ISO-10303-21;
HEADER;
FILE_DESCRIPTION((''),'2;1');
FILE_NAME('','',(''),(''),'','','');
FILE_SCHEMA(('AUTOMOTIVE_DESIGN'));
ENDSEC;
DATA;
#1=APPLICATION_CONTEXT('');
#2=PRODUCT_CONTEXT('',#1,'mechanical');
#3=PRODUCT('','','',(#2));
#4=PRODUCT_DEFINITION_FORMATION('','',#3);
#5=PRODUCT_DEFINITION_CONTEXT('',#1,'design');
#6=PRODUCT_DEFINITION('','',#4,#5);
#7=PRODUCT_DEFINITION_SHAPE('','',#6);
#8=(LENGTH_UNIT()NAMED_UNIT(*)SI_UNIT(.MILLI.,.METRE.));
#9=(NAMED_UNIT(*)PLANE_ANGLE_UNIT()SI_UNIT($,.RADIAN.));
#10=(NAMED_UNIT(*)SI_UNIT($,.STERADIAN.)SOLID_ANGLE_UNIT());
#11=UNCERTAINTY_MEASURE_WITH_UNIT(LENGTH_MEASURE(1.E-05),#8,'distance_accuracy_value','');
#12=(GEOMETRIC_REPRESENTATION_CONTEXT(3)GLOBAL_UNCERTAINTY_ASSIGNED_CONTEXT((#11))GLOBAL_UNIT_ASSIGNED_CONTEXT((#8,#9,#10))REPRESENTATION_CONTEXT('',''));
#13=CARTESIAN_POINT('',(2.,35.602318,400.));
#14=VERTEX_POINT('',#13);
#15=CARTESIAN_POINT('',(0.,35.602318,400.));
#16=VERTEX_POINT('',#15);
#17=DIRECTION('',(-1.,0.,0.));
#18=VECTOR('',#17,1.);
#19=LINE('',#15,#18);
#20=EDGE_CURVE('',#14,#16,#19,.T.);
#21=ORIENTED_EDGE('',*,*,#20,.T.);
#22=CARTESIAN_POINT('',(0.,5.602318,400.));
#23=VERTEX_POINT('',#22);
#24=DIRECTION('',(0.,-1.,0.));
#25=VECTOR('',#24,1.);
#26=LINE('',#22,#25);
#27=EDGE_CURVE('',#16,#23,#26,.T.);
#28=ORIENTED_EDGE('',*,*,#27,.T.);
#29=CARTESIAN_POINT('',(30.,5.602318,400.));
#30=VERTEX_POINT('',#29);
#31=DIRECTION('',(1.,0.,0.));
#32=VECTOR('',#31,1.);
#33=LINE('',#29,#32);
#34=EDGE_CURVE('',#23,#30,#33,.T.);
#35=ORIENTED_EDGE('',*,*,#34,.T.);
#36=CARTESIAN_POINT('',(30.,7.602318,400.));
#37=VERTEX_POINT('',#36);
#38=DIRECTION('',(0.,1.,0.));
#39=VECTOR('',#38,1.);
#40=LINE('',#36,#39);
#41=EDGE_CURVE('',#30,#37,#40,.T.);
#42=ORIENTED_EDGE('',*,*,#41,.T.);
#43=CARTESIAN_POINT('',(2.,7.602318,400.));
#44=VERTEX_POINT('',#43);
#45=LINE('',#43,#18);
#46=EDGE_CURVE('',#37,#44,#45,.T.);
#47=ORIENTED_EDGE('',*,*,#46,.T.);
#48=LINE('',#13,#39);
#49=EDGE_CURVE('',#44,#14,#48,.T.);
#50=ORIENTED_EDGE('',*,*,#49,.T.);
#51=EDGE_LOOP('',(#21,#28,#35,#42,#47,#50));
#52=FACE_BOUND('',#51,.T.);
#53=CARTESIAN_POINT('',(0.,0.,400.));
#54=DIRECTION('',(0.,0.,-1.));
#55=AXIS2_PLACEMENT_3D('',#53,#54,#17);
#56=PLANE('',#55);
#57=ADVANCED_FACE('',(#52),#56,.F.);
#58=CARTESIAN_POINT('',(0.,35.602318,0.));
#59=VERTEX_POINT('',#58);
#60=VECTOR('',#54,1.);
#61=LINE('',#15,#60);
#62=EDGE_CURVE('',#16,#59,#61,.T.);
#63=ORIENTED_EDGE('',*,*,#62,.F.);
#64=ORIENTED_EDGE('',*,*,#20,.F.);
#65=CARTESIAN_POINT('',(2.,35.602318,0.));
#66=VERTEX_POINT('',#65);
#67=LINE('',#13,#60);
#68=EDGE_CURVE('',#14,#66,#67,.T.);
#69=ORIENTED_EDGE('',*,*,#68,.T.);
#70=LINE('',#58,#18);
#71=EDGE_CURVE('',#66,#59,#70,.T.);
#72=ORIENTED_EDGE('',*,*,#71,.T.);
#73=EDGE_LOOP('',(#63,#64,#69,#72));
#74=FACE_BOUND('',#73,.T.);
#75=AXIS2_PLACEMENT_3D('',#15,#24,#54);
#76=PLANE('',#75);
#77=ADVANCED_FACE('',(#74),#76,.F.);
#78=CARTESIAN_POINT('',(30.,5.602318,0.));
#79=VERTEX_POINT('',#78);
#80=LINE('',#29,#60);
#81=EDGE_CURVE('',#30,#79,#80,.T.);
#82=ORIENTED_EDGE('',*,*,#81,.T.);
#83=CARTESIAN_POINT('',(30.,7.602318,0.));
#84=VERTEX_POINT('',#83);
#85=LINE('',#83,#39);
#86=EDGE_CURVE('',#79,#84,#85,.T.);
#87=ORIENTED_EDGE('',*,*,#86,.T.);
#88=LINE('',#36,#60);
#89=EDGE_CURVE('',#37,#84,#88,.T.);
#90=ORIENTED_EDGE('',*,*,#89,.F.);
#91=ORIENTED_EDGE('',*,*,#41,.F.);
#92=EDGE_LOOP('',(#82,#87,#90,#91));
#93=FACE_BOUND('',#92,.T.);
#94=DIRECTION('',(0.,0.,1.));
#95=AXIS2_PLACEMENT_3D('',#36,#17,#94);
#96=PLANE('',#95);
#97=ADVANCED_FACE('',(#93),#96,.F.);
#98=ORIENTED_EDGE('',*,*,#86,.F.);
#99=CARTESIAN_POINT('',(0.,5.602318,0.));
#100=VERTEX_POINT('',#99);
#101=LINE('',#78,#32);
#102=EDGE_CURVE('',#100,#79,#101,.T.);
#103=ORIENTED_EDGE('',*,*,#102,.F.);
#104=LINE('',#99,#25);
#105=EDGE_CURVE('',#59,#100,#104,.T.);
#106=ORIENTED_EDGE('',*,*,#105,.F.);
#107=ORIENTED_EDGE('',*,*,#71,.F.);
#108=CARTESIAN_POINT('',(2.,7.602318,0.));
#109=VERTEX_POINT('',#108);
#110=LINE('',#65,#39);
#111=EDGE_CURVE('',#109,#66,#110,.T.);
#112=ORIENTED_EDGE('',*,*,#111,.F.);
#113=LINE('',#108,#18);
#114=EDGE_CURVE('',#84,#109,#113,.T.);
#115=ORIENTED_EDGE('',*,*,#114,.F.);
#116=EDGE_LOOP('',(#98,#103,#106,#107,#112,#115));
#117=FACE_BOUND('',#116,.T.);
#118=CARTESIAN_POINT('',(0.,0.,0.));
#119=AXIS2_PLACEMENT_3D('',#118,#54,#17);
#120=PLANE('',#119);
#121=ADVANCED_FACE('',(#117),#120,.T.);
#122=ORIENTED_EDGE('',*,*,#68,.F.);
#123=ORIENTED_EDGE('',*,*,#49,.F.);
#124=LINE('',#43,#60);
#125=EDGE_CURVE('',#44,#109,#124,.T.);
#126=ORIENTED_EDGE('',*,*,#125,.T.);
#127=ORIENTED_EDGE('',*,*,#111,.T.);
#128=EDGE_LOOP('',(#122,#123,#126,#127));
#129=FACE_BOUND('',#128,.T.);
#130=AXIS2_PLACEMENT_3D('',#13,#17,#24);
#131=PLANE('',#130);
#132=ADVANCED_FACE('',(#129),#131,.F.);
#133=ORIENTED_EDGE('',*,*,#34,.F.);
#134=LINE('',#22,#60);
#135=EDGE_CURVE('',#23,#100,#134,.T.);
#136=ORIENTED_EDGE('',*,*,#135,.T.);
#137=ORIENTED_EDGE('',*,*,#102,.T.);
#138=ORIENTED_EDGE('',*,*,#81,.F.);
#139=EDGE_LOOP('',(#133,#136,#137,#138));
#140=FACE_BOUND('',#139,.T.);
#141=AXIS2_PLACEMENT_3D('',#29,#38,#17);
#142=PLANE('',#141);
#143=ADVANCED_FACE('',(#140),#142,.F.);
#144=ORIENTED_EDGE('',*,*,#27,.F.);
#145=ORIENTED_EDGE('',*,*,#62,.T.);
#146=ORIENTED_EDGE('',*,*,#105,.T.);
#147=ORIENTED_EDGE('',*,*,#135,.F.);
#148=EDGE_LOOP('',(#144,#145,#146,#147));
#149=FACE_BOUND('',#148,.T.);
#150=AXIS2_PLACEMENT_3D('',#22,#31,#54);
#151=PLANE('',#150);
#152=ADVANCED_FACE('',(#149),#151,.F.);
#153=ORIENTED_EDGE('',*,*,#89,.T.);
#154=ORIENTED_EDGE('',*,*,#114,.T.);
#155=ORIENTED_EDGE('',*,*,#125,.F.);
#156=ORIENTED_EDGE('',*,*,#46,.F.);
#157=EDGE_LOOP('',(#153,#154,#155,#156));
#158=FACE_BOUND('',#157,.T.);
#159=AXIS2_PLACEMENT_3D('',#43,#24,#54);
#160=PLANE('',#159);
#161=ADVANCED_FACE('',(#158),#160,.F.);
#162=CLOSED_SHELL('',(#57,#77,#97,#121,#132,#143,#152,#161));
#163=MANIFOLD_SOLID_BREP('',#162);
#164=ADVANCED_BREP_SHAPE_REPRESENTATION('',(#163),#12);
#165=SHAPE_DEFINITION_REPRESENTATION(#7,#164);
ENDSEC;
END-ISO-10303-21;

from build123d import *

# Parameters (mm, degrees)
BOSS_EXTRUDE1_DEPTH = 400


with BuildPart() as part:
    # Sketch1 → Boss-Extrude1 (new body)
    with BuildSketch(Plane.XY):
        Polygon((0, 5.602318429), (0, 35.602318429), (2, 35.602318429), (2, 7.602318429), (30, 7.602318429), (30, 5.602318429), align=None)
    extrude(amount=BOSS_EXTRUDE1_DEPTH)


solid = part.part
